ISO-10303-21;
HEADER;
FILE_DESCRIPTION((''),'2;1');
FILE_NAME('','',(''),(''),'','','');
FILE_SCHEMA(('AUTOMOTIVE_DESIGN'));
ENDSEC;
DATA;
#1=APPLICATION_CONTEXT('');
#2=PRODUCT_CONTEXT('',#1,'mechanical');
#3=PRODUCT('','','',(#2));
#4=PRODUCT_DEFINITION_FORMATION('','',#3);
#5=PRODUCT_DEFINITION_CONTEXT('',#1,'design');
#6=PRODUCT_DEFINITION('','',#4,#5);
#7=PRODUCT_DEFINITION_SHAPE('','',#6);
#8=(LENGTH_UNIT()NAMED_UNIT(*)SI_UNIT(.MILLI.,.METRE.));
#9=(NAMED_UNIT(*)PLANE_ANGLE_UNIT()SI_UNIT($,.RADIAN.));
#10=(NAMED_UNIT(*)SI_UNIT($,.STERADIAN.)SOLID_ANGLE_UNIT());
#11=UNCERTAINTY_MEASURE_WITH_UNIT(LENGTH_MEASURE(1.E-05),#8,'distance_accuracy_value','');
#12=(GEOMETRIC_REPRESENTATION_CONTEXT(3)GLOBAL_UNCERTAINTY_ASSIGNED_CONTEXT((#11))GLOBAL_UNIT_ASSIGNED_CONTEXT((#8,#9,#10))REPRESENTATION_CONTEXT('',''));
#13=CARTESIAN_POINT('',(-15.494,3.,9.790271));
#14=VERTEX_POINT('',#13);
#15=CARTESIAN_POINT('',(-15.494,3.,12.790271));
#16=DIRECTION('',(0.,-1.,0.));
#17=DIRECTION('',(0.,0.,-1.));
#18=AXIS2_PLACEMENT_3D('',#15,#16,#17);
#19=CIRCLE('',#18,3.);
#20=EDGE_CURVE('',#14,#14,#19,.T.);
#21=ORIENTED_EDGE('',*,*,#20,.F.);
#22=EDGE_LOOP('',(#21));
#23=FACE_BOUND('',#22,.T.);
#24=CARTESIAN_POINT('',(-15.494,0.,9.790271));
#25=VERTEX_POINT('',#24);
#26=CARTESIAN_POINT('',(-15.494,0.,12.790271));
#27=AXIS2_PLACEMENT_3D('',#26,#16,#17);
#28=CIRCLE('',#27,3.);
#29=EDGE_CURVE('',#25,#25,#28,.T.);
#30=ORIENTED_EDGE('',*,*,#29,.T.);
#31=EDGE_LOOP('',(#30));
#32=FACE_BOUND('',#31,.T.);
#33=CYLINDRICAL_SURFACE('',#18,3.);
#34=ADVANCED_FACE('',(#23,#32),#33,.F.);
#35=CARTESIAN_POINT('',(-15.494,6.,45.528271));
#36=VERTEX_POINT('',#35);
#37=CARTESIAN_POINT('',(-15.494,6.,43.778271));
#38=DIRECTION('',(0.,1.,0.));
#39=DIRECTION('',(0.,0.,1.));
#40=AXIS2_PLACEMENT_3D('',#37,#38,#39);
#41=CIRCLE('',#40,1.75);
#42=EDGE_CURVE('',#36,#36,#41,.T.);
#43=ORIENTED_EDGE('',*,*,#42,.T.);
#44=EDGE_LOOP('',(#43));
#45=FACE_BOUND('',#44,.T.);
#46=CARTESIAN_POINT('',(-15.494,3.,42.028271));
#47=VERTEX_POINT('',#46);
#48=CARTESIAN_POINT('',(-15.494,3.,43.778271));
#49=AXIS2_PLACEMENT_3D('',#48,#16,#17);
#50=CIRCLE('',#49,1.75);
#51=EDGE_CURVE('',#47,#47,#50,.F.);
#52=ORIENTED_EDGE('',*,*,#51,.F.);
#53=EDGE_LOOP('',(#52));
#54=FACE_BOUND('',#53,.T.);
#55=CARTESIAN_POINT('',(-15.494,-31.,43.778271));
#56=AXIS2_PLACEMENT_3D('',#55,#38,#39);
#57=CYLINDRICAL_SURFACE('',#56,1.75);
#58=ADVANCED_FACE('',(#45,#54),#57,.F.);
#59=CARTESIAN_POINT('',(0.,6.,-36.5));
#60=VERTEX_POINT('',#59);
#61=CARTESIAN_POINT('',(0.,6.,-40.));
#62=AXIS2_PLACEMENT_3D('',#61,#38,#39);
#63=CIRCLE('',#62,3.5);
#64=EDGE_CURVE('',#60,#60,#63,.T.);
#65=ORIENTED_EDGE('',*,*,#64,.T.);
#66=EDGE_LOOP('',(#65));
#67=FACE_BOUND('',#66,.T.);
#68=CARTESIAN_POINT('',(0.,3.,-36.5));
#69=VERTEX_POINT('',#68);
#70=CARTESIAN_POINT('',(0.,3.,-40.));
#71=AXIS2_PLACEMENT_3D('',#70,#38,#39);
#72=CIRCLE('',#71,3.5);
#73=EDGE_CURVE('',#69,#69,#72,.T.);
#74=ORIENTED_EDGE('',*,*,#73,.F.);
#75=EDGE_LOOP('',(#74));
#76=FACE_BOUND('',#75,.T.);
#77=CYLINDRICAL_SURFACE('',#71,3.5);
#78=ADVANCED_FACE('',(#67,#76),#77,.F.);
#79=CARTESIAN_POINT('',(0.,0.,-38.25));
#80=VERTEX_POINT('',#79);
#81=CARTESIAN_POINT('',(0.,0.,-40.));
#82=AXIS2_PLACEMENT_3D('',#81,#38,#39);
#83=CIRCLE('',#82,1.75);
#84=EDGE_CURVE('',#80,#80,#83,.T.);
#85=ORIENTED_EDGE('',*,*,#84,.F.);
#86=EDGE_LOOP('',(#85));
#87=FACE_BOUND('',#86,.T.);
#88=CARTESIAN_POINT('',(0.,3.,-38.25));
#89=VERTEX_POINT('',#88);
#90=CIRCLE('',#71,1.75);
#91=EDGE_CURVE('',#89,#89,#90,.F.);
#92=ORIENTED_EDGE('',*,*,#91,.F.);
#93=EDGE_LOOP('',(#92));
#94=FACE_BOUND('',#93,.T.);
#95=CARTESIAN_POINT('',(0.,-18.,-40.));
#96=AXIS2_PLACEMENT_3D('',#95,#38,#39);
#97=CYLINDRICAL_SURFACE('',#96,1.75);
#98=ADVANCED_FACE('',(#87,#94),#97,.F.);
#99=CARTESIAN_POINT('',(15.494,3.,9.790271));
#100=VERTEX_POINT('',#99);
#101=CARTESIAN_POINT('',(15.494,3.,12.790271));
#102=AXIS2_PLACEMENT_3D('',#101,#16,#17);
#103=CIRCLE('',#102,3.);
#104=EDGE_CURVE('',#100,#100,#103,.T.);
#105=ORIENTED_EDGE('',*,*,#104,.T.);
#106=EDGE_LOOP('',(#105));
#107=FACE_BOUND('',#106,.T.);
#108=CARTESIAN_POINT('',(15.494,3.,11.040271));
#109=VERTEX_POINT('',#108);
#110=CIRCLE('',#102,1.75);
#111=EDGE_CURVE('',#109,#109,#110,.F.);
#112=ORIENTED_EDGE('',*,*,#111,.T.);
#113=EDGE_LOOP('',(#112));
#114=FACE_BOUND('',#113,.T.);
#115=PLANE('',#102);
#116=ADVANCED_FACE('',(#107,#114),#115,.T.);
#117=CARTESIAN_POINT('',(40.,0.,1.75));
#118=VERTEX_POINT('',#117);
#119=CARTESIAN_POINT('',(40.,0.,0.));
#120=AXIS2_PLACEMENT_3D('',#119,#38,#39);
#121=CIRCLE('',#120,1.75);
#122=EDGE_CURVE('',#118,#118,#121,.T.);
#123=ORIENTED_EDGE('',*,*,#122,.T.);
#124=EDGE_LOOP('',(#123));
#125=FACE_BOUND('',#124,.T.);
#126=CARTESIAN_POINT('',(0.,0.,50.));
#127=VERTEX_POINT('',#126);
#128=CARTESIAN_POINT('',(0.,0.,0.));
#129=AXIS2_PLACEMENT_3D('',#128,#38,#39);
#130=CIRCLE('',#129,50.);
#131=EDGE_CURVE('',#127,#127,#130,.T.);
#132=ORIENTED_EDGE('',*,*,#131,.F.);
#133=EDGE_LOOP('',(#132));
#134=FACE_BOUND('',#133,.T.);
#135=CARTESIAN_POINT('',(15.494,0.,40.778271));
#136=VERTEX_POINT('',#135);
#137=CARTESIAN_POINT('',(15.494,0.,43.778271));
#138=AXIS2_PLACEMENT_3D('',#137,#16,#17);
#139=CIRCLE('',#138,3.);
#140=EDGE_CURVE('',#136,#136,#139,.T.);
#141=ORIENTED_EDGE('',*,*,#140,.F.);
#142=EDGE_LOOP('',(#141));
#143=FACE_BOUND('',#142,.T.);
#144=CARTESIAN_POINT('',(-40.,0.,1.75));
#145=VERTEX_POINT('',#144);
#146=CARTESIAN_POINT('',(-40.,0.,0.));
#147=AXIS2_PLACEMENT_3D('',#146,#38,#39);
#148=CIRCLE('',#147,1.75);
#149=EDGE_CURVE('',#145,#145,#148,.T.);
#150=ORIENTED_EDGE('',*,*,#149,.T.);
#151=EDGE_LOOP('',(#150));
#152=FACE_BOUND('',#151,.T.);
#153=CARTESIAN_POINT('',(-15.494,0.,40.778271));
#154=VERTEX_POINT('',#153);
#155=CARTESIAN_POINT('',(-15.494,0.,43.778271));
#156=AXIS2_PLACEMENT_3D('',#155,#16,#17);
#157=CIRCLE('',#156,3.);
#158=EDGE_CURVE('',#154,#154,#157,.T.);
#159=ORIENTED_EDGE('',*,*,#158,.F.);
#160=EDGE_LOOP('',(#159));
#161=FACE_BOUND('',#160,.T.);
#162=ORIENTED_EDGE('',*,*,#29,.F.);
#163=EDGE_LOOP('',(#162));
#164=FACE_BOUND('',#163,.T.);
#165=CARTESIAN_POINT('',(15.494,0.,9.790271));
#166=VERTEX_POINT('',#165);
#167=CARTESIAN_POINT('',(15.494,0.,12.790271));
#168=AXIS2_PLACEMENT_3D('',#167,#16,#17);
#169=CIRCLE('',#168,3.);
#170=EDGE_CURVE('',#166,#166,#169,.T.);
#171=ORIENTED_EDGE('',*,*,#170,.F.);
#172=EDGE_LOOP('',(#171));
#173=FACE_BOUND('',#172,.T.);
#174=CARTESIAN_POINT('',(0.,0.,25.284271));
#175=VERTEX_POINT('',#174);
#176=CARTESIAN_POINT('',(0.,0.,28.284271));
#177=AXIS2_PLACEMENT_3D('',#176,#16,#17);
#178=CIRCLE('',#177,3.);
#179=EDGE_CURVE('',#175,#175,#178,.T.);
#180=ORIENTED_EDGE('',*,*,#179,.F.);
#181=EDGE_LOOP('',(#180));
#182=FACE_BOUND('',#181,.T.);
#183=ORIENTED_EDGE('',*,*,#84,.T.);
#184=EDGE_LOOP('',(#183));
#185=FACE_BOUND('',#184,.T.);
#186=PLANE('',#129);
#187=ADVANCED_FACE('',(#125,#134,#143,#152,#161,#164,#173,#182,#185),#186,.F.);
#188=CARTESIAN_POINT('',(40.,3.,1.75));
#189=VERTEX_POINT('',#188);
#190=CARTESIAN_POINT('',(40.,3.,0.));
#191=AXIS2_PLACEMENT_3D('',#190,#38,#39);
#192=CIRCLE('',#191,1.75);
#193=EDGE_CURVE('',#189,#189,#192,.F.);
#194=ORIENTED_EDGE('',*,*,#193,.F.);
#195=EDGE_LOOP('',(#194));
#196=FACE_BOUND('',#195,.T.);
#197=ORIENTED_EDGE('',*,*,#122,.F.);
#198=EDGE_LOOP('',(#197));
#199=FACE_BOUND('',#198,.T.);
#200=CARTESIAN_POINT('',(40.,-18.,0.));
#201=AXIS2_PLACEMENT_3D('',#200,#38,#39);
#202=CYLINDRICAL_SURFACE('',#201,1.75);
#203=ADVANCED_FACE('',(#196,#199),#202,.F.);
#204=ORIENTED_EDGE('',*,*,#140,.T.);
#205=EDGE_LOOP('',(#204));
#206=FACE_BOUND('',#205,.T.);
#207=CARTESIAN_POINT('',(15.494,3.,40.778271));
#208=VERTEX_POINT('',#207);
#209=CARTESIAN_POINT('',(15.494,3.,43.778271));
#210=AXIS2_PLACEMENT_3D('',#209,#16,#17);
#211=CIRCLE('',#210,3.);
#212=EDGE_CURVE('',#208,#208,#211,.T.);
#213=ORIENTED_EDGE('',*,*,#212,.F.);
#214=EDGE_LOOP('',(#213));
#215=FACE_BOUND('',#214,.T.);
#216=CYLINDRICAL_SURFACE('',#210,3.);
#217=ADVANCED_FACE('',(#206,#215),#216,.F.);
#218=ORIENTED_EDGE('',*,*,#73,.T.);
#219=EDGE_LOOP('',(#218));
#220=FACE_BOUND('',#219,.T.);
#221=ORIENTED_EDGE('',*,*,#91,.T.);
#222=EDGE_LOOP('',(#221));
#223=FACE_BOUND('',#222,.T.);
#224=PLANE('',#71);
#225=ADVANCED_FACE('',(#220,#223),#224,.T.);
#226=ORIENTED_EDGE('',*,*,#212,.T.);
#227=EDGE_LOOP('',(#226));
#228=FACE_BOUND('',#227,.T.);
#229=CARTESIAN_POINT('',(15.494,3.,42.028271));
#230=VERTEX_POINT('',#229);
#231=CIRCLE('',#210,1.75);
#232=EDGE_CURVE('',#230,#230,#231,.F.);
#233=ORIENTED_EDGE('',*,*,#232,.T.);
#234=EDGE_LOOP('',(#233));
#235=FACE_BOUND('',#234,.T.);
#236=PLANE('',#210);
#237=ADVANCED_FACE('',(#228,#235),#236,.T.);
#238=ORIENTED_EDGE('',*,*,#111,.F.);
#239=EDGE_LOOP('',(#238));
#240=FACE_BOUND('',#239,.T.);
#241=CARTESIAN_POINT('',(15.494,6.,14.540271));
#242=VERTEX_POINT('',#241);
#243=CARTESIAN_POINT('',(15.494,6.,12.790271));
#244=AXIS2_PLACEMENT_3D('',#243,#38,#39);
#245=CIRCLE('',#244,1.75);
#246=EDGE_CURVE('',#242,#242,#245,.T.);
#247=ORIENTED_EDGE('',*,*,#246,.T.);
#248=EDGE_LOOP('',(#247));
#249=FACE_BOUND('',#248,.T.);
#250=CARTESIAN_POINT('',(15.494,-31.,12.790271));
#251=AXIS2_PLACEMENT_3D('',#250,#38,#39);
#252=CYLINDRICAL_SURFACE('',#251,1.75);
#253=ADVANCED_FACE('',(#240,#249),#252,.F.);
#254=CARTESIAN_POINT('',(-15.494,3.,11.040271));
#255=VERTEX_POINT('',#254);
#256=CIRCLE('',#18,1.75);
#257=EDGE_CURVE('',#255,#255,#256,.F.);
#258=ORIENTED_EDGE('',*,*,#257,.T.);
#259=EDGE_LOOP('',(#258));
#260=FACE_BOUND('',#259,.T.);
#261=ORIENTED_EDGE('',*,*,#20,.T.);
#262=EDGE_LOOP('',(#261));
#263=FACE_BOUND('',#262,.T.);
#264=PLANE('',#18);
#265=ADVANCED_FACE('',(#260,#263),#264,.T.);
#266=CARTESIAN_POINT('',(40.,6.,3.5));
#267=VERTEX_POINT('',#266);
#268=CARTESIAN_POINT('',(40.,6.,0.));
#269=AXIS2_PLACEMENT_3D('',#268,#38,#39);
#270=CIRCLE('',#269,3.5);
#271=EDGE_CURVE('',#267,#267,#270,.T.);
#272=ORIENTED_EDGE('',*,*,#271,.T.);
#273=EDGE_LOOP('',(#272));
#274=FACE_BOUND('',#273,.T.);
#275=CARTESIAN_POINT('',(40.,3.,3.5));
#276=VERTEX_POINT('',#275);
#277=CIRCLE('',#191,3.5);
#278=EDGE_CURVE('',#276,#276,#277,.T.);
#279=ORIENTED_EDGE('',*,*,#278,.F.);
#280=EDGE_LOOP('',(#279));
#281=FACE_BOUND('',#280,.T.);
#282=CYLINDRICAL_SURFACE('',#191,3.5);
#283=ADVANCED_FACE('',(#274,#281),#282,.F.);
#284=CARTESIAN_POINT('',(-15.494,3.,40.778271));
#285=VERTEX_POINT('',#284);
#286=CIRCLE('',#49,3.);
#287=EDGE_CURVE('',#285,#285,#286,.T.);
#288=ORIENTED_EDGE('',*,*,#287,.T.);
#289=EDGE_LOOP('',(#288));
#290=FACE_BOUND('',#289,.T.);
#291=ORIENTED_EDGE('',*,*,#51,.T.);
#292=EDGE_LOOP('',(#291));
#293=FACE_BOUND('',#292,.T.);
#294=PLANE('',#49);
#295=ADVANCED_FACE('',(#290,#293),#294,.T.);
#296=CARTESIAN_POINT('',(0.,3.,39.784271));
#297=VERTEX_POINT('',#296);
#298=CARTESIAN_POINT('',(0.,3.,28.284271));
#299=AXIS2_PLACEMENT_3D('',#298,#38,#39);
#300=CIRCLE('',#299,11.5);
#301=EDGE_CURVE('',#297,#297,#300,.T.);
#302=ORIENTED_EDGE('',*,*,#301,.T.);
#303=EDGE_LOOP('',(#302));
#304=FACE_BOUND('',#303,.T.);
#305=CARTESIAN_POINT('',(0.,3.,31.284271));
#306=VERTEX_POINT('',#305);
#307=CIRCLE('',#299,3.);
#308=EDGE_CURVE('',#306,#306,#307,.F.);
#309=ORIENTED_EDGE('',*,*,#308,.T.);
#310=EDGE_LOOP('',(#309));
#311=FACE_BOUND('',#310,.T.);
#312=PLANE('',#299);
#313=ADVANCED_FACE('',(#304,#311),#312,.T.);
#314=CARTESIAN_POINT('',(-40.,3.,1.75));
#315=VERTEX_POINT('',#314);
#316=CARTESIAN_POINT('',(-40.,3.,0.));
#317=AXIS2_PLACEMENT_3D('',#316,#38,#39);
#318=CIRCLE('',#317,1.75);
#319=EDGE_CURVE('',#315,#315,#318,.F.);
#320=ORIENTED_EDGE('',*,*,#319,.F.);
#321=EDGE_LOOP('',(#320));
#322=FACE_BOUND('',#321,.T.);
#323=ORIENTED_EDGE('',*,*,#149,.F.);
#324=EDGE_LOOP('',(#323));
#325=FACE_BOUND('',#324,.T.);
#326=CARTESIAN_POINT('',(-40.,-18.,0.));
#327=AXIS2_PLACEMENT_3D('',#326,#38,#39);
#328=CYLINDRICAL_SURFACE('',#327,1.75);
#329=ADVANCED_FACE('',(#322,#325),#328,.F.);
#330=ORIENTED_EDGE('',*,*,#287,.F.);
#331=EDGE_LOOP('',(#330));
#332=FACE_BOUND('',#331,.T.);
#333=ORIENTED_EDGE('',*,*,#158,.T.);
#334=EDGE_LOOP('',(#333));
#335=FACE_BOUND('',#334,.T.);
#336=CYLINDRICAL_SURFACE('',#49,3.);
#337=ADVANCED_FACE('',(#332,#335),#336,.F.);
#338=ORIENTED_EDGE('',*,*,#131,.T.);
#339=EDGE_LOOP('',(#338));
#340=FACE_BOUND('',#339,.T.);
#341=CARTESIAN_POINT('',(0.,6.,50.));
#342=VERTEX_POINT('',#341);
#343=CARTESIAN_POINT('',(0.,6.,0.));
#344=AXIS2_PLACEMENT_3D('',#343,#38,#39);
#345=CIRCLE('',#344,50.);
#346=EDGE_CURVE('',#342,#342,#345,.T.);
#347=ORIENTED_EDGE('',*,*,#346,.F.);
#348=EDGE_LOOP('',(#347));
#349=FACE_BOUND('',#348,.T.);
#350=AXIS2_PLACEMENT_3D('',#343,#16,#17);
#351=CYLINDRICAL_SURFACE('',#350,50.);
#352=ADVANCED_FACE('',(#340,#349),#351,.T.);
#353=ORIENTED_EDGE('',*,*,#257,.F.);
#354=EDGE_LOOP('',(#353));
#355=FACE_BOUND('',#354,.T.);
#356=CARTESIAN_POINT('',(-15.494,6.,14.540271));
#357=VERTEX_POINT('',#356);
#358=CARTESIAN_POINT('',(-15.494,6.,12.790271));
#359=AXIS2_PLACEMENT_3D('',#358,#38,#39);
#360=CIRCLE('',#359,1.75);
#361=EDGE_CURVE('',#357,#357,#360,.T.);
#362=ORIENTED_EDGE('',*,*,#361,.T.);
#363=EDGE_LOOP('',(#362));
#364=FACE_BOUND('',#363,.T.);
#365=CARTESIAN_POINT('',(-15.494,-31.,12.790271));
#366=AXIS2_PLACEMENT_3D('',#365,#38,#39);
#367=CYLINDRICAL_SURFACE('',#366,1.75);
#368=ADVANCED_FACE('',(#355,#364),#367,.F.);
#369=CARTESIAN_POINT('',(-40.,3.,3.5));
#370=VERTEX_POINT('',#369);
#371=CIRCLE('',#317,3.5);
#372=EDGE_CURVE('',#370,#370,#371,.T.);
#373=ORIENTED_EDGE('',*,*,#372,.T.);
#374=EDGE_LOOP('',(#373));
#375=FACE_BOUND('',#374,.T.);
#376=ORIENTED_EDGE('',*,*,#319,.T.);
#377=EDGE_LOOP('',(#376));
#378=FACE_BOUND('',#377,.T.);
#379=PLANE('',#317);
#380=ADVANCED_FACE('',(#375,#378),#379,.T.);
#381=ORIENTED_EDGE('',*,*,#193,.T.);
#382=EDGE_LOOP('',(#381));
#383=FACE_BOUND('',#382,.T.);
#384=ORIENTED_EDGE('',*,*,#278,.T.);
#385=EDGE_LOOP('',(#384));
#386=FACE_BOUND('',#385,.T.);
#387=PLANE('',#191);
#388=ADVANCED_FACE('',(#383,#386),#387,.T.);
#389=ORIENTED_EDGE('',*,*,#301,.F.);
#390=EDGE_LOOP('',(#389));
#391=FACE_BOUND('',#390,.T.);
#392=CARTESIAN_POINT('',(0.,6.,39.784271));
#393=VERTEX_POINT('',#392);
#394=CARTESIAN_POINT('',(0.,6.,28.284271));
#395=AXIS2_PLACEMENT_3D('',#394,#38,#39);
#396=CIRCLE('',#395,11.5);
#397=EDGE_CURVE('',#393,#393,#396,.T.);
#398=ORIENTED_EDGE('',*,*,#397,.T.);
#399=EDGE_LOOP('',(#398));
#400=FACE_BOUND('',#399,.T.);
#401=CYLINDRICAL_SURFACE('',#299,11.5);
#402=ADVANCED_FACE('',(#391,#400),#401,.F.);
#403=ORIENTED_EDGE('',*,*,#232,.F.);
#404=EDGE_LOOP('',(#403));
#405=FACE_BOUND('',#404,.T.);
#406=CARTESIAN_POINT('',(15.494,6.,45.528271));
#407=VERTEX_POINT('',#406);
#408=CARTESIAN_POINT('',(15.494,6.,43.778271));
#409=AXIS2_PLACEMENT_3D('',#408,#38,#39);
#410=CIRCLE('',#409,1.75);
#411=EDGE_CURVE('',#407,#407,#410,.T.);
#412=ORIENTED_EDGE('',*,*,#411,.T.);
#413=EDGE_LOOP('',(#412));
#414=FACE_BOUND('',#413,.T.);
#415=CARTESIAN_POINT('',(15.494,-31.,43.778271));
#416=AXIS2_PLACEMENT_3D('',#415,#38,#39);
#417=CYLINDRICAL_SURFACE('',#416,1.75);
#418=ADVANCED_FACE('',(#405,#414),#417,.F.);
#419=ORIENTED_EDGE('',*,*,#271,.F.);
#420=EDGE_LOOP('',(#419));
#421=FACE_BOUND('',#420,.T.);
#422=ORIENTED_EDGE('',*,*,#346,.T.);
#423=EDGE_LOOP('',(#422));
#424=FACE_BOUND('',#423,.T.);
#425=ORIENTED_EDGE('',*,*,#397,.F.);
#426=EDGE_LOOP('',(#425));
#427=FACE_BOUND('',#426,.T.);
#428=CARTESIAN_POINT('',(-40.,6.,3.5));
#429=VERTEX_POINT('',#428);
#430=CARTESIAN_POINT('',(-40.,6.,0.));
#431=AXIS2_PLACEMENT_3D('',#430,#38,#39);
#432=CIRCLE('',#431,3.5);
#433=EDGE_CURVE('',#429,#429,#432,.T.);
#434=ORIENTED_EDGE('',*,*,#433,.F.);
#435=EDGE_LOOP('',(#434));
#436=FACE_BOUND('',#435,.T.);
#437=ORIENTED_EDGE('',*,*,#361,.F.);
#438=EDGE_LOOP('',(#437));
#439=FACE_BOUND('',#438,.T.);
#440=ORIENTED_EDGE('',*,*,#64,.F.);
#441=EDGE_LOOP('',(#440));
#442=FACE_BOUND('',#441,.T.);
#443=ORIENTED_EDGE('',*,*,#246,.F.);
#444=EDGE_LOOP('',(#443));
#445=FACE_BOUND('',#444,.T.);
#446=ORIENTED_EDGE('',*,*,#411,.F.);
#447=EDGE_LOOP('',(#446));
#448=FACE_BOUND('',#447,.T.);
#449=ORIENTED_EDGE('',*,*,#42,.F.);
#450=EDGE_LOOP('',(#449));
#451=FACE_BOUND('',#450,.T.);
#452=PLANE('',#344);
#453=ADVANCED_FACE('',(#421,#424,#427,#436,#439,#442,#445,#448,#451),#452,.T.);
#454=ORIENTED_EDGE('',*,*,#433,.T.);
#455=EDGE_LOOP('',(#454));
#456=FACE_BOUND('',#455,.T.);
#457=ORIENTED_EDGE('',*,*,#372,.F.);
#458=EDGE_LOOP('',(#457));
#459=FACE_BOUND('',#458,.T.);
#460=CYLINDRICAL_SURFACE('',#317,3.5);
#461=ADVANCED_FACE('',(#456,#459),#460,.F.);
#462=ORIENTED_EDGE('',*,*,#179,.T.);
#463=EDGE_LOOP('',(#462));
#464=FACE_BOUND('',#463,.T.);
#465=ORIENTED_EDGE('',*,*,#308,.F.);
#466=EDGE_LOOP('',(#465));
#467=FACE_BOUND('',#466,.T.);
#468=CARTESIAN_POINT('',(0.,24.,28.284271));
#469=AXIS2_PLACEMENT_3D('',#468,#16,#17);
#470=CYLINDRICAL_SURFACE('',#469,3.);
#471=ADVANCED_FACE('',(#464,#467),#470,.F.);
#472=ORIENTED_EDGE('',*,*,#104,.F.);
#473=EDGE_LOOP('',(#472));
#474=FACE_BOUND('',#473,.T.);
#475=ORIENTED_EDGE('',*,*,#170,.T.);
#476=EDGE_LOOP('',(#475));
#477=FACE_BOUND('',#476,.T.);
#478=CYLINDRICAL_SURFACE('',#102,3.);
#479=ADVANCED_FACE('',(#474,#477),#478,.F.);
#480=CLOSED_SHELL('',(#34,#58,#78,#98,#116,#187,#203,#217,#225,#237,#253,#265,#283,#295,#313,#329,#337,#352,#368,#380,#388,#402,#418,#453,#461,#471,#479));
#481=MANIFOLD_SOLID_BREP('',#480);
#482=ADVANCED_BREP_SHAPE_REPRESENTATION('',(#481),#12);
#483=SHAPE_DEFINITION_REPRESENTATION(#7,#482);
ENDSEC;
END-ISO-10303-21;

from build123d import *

# Parameters (mm, degrees)
SKETCH_1_R          = 50
EXTRUDE_1_DEPTH     = 6
SKETCH_2_R          = 1.75
CUT_EXTRUDE_1_DEPTH = 24
SKETCH_4_R          = 3
CUT_EXTRUDE_2_DEPTH = 24
SKETCH_5_R          = 11.5
CUT_EXTRUDE_3_DEPTH = 3
SKETCH_6_R          = 1.75
CUT_EXTRUDE_4_DEPTH = 37
SKETCH_7_R          = 3
CUT_EXTRUDE_5_DEPTH = 3
SKETCH_8_R          = 3.5
CUT_EXTRUDE_6_DEPTH = 3


with BuildPart() as part:
    # 草图1 → 凸台-拉伸1 (new body)
    with BuildSketch(Plane(origin=(0, 0, 0), x_dir=(1, 0, 0), z_dir=(0, 1, 0))):
        with Locations(Location((0, 0, 0), (0, 0, 270))):
            Circle(SKETCH_1_R)
    extrude(amount=EXTRUDE_1_DEPTH)

    # 草图2 → 切除-拉伸1 (cut)
    with BuildSketch(Plane(origin=(0, 6, 0), x_dir=(1, 0, 0), z_dir=(0, 1, 0))):
        with Locations(Location((0, 40, 0), (0, 0, 270))):
            Circle(SKETCH_2_R)
        with Locations(Location((40, 0, 0), (0, 0, 270))):
            Circle(SKETCH_2_R)
        with Locations(Location((-40, 0, 0), (0, 0, 270))):
            Circle(SKETCH_2_R)
    extrude(amount=-CUT_EXTRUDE_1_DEPTH, mode=Mode.SUBTRACT)

    # 草图4 → 切除-拉伸2 (cut)
    with BuildSketch(Plane.XZ):
        with Locations(Location((0, 28.284271247, 0), (0, 0, 270))):
            Circle(SKETCH_4_R)
    extrude(amount=-CUT_EXTRUDE_2_DEPTH, mode=Mode.SUBTRACT)

    # 草图5 → 切除-拉伸3 (cut)
    with BuildSketch(Plane(origin=(0, 6, 0), x_dir=(1, 0, 0), z_dir=(0, 1, 0))):
        with Locations(Location((0, -28.284271247, 0), (0, 0, 270))):
            Circle(SKETCH_5_R)
    extrude(amount=-CUT_EXTRUDE_3_DEPTH, mode=Mode.SUBTRACT)

    # 草图6 → 切除-拉伸4 (cut)
    with BuildSketch(Plane(origin=(0, 6, 0), x_dir=(1, 0, 0), z_dir=(0, 1, 0))):
        with Locations(Location((15.494, -12.790271247, 0), (0, 0, 270))):
            Circle(SKETCH_6_R)
        with Locations(Location((15.494, -43.778271247, 0), (0, 0, 270))):
            Circle(SKETCH_6_R)
        with Locations(Location((-15.494, -43.778271247, 0), (0, 0, 270))):
            Circle(SKETCH_6_R)
        with Locations(Location((-15.494, -12.790271247, 0), (0, 0, 270))):
            Circle(SKETCH_6_R)
    extrude(amount=-CUT_EXTRUDE_4_DEPTH, mode=Mode.SUBTRACT)

    # 草图7 → 切除-拉伸5 (cut)
    with BuildSketch(Plane.XZ):
        with Locations(Location((15.494, 43.778271247, 0), (0, 0, 270))):
            Circle(SKETCH_7_R)
        with Locations(Location((15.494, 12.790271247, 0), (0, 0, 270))):
            Circle(SKETCH_7_R)
        with Locations(Location((-15.494, 12.790271247, 0), (0, 0, 270))):
            Circle(SKETCH_7_R)
        with Locations(Location((-15.494, 43.778271247, 0), (0, 0, 270))):
            Circle(SKETCH_7_R)
    extrude(amount=-CUT_EXTRUDE_5_DEPTH, mode=Mode.SUBTRACT)

    # 草图8 → 切除-拉伸6 (cut)
    with BuildSketch(Plane(origin=(0, 6, 0), x_dir=(1, 0, 0), z_dir=(0, 1, 0))):
        with Locations(Location((0, 40, 0), (0, 0, 270))):
            Circle(SKETCH_8_R)
        with Locations(Location((-40, 0, 0), (0, 0, 270))):
            Circle(SKETCH_8_R)
        with Locations(Location((40, 0, 0), (0, 0, 270))):
            Circle(SKETCH_8_R)
    extrude(amount=-CUT_EXTRUDE_6_DEPTH, mode=Mode.SUBTRACT)


solid = part.part
